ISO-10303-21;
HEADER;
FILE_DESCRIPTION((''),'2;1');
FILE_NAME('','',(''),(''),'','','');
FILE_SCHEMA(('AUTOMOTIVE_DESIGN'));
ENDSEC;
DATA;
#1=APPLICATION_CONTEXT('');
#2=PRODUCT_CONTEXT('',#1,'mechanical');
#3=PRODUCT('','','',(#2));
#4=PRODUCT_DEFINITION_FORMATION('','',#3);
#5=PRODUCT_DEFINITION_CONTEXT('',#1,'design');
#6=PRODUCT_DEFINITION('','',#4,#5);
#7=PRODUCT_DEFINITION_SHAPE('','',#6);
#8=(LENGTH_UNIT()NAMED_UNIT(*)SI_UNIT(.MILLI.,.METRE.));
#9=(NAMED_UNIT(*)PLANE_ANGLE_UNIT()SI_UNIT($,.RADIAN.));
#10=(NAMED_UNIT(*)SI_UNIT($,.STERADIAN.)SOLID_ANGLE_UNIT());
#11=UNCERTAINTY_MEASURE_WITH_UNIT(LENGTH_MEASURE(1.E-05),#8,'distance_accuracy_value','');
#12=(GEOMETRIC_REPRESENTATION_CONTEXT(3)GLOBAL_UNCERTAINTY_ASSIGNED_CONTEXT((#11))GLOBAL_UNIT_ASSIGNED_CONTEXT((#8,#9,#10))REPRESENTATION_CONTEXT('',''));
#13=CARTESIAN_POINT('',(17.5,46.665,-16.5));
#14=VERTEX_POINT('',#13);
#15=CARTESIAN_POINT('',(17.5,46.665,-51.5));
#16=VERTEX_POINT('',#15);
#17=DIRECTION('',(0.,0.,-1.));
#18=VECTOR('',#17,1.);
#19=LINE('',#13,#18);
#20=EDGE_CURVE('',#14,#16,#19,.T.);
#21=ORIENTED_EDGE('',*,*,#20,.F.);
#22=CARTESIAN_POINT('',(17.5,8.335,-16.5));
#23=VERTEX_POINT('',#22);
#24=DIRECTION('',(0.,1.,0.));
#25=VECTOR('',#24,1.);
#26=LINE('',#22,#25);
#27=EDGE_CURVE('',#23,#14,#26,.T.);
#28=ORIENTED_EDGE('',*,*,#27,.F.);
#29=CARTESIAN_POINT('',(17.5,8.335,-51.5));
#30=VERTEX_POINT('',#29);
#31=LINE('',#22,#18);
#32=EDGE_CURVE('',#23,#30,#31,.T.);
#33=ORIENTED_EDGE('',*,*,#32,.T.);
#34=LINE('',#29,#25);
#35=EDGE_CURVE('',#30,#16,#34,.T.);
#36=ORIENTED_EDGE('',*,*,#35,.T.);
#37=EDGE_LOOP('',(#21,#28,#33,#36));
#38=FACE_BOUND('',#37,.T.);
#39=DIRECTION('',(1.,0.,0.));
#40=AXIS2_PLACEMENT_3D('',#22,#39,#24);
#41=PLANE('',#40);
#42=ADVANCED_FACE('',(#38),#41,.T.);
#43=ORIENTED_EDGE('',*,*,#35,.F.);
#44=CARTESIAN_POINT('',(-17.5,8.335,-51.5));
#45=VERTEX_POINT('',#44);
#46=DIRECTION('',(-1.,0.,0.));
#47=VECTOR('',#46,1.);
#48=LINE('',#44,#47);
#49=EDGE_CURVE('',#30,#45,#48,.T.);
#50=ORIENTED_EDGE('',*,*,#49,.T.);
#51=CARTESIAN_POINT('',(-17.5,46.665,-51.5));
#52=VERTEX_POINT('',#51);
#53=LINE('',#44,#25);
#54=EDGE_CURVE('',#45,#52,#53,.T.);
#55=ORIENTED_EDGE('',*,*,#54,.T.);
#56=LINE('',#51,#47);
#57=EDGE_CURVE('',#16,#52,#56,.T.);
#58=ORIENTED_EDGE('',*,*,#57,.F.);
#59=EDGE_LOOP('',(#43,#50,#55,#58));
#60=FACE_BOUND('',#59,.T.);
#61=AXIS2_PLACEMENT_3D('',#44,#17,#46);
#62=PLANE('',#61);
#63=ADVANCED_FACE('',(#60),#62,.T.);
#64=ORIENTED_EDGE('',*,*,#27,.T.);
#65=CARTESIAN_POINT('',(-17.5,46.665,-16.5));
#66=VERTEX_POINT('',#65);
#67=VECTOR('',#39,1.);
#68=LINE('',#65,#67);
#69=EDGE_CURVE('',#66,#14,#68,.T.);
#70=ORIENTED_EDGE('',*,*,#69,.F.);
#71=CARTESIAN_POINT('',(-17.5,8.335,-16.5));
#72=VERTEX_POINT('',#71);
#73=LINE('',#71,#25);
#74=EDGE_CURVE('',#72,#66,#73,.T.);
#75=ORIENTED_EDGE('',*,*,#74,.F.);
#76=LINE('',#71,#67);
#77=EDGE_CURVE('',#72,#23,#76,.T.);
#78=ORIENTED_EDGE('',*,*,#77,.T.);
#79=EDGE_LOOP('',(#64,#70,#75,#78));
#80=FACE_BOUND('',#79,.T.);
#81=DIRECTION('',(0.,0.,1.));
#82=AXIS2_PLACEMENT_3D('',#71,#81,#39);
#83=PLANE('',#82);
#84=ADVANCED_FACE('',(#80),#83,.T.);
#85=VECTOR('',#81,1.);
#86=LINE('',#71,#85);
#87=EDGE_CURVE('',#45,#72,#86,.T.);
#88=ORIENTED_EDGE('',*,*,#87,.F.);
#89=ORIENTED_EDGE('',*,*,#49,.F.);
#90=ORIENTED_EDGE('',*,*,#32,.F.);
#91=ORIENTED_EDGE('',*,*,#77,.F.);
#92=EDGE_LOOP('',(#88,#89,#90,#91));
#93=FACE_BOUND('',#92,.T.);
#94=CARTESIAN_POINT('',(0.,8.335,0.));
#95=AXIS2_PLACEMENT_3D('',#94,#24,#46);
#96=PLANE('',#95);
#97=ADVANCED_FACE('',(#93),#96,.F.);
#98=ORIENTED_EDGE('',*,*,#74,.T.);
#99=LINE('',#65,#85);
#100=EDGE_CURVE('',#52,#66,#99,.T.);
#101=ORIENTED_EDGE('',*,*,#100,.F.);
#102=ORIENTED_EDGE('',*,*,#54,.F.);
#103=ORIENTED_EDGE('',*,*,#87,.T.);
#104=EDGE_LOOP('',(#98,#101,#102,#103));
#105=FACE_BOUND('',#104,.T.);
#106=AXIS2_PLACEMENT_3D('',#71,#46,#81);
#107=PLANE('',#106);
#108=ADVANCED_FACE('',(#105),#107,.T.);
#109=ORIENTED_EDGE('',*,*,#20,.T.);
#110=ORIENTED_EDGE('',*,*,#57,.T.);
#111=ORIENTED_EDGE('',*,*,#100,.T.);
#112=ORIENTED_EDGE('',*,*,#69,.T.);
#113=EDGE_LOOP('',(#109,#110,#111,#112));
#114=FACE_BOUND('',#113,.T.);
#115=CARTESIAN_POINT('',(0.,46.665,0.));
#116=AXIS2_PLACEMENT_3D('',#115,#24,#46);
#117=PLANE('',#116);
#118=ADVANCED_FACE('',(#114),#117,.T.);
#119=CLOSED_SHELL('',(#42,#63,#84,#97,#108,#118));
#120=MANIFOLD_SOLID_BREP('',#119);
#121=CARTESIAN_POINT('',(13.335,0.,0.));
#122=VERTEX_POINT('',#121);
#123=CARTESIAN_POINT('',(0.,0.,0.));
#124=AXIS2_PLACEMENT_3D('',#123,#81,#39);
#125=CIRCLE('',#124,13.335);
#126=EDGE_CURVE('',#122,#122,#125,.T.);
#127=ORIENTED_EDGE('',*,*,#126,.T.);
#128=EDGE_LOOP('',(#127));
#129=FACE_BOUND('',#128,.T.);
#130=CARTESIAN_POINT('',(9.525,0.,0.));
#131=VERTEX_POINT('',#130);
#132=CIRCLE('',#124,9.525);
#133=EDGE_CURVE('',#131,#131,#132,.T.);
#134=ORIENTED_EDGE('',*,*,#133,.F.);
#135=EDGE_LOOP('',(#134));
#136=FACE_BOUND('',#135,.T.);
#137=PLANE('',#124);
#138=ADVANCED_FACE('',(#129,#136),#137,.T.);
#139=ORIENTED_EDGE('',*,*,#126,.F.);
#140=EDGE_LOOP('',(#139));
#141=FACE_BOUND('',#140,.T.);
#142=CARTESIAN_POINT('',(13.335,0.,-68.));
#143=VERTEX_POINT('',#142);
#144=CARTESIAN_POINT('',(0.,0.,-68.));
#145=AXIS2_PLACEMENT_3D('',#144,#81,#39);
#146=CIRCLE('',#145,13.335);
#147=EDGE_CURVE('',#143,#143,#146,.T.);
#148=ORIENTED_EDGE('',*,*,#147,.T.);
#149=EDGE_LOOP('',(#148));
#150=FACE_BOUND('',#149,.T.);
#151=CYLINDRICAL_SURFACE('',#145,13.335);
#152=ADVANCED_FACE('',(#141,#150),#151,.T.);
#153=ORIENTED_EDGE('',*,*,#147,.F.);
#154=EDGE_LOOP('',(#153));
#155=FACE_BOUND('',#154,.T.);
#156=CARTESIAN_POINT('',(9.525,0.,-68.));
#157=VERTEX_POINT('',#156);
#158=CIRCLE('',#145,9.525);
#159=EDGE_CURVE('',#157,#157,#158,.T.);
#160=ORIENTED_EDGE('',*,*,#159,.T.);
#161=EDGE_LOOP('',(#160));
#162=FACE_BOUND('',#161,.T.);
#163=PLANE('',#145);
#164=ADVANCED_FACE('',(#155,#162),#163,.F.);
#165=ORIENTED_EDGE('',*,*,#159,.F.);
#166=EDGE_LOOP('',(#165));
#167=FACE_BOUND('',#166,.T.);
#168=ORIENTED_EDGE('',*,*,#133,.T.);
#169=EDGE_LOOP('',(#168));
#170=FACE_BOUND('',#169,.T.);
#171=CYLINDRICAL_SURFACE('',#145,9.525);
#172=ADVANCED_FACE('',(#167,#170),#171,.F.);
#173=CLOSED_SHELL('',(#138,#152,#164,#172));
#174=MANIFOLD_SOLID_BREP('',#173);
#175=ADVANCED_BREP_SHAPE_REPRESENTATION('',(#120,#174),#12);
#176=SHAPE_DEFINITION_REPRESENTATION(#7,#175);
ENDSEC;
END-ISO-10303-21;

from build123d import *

# Parameters (mm, degrees)
SKETCH1_R                = 13.335
SKETCH1_R_2              = 9.525
BOSS_EXTRUDE1_DEPTH      = 68
BOSS_EXTRUDE2_DEPTH      = 33.33
BOSS_EXTRUDE2_DEPTH_BACK = 5
SKETCH3_W                = 35
SKETCH3_H                = 35


with BuildPart() as part:
    # Sketch1 → Boss-Extrude1 (new body)
    with BuildSketch(Plane.XY):
        Circle(SKETCH1_R)
        Circle(SKETCH1_R_2, mode=Mode.SUBTRACT)
    extrude(amount=-BOSS_EXTRUDE1_DEPTH)


with BuildPart() as body_2:
    # Sketch3 → Boss-Extrude2 (new, two sides: drawn at the far end of the back side and taken through both)
    with BuildSketch(Plane(origin=(0, 13.335, 0), x_dir=(0, 0, -1), z_dir=(0, 1, 0)).offset(-BOSS_EXTRUDE2_DEPTH_BACK)):
        with Locations((34, 0)):
            Rectangle(SKETCH3_W, SKETCH3_H)
    extrude(amount=BOSS_EXTRUDE2_DEPTH + BOSS_EXTRUDE2_DEPTH_BACK)


solid = Compound([part.part, body_2.part])
